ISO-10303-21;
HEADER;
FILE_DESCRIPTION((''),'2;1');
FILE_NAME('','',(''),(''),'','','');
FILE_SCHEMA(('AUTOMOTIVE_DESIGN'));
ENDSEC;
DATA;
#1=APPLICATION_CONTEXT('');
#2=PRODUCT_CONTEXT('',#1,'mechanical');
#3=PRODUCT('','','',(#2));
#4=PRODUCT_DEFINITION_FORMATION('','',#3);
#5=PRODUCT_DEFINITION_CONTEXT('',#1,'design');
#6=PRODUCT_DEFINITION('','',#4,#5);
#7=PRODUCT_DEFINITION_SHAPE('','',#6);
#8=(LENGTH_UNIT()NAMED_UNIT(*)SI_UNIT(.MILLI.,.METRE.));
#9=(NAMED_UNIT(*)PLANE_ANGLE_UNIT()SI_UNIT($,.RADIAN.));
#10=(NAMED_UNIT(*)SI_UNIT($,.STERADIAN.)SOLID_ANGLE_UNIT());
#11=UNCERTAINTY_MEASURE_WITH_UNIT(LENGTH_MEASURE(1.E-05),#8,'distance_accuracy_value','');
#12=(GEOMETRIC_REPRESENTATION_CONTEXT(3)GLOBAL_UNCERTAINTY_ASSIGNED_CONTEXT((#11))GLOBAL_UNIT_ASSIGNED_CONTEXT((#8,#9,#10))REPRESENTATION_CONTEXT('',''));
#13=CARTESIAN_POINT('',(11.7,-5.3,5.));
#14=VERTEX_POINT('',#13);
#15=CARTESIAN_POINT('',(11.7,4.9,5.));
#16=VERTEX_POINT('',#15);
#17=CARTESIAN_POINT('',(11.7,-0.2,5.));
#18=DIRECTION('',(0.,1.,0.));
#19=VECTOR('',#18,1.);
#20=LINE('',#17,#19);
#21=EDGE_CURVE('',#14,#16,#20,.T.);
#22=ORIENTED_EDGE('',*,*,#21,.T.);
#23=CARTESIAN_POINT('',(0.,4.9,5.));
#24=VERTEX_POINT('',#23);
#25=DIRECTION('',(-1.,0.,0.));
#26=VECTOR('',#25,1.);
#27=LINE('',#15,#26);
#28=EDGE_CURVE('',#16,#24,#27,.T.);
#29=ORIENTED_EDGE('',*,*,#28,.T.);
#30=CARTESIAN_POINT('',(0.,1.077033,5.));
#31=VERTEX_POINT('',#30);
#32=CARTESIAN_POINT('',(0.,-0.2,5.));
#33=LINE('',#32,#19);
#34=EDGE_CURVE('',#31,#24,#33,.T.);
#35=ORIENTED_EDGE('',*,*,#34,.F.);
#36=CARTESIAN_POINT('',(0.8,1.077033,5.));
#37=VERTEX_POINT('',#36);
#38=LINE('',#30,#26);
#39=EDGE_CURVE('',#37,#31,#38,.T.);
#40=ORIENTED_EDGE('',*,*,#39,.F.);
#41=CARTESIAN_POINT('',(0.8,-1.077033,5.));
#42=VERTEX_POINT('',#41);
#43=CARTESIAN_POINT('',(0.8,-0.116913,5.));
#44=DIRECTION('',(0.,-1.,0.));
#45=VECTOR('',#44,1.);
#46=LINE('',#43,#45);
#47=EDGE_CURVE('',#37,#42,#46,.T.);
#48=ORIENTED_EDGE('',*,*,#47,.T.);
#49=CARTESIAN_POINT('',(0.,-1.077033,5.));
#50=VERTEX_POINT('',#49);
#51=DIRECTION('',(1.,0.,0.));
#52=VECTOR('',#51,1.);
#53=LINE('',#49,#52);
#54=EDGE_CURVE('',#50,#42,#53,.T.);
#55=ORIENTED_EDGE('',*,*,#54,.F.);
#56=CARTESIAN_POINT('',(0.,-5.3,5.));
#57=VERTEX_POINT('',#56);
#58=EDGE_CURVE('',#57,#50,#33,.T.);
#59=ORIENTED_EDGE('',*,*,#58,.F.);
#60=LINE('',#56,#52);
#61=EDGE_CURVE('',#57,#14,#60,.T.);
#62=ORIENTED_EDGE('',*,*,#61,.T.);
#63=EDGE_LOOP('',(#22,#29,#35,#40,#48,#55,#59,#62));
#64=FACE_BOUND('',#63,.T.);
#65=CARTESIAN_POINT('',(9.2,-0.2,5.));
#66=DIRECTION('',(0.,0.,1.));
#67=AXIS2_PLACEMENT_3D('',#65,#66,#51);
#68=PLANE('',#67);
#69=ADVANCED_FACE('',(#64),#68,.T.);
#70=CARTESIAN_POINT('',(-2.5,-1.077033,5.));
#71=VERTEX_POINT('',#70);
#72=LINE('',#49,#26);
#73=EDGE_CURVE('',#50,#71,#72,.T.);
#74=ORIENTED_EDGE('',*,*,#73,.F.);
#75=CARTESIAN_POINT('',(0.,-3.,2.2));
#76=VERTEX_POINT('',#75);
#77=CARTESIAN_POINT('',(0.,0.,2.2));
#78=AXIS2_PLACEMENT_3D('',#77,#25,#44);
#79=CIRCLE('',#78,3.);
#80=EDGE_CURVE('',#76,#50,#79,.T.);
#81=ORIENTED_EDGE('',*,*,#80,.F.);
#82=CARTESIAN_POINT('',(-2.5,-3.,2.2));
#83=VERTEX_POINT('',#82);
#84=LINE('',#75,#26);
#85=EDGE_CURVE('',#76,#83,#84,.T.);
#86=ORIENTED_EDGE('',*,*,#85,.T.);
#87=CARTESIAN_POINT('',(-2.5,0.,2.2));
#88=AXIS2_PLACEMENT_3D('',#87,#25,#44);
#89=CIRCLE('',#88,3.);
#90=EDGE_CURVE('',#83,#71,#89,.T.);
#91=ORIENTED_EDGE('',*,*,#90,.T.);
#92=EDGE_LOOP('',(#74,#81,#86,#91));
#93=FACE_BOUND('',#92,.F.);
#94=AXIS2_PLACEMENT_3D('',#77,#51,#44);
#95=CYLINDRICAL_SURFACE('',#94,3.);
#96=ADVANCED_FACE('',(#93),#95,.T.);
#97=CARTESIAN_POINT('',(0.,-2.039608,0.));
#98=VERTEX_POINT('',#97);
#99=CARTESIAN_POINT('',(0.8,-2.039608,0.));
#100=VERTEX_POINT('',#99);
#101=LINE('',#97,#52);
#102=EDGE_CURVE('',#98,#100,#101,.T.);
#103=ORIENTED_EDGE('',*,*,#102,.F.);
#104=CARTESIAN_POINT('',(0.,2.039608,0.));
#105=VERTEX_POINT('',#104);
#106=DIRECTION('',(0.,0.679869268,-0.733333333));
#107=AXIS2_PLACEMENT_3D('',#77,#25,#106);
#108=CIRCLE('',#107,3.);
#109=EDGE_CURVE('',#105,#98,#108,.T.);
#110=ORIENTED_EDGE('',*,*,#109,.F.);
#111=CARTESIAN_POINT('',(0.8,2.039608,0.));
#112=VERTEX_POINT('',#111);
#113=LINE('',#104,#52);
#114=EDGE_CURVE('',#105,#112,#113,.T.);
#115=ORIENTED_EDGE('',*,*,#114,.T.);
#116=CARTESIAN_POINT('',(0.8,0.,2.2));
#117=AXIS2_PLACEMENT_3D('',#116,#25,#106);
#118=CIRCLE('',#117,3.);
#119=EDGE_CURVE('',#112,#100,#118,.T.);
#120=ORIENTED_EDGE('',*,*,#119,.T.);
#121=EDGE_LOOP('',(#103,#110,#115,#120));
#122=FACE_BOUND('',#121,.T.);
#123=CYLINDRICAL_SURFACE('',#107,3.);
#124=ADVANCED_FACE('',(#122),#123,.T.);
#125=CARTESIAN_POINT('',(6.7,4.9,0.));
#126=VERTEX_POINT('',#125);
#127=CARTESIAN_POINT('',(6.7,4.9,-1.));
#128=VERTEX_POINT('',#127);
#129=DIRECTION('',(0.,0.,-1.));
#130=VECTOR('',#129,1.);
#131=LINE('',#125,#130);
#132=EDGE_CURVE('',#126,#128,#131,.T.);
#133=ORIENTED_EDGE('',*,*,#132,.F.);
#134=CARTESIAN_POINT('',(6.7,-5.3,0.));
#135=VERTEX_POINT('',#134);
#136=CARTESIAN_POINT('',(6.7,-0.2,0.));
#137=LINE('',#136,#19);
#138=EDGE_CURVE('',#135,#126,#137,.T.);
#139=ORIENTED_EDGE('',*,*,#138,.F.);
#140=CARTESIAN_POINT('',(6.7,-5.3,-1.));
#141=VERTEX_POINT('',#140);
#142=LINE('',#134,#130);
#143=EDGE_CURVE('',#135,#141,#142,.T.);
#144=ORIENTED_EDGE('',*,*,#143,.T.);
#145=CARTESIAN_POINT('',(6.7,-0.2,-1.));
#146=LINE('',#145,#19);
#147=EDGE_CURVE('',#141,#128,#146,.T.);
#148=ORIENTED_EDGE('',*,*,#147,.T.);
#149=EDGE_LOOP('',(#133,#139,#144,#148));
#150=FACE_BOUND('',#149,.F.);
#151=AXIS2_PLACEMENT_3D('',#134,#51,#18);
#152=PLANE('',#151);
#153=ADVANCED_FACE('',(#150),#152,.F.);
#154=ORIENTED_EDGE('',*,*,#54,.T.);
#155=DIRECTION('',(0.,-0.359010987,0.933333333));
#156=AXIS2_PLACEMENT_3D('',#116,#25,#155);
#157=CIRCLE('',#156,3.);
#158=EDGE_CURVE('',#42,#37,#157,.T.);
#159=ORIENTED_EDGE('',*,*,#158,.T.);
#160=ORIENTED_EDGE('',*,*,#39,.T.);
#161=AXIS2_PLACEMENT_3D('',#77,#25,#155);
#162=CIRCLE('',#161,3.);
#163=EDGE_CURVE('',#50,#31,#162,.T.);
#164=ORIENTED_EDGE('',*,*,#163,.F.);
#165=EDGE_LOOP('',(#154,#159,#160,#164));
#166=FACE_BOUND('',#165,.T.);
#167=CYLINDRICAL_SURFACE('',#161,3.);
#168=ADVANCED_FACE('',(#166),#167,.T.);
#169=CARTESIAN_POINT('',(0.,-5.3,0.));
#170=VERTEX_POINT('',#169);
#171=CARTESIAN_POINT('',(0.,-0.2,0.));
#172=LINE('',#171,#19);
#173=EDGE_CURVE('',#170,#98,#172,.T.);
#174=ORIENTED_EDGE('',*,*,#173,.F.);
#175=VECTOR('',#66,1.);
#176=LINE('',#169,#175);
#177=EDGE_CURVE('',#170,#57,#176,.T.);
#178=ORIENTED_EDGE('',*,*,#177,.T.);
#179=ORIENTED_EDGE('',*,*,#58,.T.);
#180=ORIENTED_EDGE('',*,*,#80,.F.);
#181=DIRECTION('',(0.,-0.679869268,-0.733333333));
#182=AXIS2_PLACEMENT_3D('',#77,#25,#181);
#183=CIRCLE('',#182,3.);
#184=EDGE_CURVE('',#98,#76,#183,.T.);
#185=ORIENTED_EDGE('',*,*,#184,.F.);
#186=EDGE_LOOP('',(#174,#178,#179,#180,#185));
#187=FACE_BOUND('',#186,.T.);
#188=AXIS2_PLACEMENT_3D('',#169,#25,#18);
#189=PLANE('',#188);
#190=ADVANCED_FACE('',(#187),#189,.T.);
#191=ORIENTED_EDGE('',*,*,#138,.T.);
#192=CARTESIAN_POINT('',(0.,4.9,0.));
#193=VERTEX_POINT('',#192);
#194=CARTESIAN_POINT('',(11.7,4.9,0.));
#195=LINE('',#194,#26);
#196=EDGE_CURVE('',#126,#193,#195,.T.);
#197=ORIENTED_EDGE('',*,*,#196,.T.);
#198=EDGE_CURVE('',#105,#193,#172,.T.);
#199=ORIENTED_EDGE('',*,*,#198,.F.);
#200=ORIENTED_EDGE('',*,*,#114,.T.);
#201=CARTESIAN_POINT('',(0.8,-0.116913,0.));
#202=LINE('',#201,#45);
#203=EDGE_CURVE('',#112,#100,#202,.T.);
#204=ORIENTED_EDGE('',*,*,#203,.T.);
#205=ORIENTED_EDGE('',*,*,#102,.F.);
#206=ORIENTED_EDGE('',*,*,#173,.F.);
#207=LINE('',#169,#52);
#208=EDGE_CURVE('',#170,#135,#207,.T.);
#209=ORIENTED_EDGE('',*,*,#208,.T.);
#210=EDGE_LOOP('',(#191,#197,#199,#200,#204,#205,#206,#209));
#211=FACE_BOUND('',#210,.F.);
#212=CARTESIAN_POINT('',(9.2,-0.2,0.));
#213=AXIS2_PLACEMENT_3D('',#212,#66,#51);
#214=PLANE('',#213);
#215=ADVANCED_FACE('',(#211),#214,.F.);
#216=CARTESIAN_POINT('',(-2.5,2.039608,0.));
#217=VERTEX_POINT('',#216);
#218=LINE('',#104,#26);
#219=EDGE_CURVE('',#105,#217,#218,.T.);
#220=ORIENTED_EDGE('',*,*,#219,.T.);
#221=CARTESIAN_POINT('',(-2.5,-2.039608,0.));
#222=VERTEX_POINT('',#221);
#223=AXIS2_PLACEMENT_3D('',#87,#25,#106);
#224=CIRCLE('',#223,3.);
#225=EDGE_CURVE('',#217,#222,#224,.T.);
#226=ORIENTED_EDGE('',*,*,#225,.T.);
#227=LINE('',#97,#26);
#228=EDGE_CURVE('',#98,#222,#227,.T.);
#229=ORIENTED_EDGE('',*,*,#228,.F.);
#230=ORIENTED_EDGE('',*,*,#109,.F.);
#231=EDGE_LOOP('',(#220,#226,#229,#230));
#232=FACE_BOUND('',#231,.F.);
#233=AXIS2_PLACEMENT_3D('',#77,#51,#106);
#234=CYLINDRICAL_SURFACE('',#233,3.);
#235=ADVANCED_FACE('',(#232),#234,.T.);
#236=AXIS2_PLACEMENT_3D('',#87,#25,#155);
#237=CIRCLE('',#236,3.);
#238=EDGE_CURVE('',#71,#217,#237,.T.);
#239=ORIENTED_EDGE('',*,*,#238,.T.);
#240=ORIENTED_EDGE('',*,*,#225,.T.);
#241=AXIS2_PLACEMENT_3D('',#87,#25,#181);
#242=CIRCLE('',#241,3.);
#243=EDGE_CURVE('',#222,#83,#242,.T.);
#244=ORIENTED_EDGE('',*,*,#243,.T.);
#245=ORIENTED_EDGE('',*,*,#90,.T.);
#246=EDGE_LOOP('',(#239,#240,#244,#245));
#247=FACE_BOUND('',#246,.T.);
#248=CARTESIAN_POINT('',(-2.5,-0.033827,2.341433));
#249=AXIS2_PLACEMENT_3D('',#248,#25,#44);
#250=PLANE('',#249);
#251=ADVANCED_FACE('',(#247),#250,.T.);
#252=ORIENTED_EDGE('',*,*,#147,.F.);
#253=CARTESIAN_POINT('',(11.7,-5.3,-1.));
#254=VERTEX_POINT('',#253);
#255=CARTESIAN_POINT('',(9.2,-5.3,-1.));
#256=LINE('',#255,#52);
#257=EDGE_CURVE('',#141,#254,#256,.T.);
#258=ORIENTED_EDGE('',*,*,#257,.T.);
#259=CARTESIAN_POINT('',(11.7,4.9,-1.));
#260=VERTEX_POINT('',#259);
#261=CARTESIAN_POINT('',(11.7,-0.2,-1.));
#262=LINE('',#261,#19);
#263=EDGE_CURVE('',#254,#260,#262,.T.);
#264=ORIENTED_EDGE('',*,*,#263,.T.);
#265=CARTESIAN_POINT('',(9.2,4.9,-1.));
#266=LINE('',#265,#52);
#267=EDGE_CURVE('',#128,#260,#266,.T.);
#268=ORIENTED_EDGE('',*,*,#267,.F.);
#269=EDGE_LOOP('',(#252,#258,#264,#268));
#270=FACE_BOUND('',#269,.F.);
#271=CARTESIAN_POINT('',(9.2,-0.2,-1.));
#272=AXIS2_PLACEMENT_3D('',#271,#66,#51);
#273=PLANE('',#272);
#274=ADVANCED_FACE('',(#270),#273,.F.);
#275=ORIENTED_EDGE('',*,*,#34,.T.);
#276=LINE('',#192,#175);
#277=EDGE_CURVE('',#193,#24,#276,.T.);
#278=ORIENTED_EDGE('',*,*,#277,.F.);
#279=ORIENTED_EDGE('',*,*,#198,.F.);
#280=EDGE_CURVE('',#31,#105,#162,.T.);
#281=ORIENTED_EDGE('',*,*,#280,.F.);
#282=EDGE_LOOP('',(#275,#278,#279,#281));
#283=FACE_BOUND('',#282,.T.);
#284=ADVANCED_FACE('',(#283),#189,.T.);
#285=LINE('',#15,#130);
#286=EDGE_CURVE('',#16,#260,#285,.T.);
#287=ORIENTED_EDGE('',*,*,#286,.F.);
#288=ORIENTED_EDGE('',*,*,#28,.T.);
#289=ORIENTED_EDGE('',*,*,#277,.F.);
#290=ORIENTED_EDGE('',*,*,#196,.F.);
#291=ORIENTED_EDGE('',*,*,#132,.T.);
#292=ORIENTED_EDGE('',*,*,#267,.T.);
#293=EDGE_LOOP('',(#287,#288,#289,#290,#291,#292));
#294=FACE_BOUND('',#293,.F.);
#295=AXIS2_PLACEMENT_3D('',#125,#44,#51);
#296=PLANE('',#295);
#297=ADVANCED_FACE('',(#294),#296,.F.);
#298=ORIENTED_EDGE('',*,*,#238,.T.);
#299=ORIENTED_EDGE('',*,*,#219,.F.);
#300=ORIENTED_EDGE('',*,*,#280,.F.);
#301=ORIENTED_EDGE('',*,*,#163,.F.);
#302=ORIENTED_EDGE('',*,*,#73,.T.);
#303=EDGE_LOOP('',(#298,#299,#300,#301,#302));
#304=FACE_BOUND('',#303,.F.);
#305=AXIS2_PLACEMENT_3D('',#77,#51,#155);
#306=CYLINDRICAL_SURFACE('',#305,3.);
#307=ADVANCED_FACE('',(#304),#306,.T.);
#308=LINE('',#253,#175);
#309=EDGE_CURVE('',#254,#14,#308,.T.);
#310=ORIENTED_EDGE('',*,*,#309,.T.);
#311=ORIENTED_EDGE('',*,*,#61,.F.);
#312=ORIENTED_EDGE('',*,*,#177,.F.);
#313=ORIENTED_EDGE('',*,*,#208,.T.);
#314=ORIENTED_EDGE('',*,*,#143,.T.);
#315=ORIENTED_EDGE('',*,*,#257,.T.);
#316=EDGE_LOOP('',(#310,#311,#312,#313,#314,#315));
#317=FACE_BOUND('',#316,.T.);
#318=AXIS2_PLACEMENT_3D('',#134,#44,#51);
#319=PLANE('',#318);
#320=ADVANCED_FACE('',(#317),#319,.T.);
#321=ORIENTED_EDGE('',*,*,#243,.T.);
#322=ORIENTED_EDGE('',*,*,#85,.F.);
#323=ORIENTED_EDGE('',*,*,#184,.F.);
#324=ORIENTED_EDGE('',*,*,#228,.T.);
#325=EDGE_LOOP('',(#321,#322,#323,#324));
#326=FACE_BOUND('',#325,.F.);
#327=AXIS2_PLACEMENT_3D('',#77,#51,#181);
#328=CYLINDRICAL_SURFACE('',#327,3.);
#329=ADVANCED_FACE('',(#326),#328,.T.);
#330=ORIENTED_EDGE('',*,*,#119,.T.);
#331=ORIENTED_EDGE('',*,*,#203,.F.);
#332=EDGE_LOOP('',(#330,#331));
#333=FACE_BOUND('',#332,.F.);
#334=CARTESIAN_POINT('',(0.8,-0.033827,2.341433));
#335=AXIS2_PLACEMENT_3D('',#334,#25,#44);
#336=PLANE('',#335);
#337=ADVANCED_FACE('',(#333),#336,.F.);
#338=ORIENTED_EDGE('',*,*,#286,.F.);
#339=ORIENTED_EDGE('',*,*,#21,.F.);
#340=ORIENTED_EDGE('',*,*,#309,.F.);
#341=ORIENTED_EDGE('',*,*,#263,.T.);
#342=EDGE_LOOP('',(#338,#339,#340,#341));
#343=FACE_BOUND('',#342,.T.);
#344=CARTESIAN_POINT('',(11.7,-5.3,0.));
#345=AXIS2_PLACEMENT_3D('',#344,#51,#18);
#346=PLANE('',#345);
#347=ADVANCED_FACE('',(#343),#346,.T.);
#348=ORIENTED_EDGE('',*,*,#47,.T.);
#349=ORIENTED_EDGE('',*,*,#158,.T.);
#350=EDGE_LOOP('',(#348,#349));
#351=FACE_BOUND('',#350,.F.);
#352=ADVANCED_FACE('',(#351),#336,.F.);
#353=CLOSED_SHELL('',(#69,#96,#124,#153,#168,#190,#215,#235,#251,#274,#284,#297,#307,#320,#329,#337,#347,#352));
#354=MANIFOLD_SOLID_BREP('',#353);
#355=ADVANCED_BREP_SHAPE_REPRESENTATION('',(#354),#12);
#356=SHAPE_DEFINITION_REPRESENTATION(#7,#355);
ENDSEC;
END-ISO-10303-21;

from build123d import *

# Parameters (mm, degrees)
F0_W          = 5
F0_H          = 10.2
F0_W_2        = 6.7
F1_DEPTH      = 5
F2_DEPTH      = 1
F4_DEPTH      = 2.5
F4_DEPTH_BACK = 0.8


with BuildPart() as f1:
    # F0 (on Top) → F1 (new body)
    with BuildSketch(Plane.XY):
        with Locations((9.2, -0.2)):
            Rectangle(F0_W, F0_H)
        with Locations((3.35, -0.2)):
            Rectangle(F0_W_2, F0_H)
    extrude(amount=F1_DEPTH)

    # F0 (on Top) → F2 (join)
    with BuildSketch(Plane.XY):
        with Locations((9.2, -0.2)):
            Rectangle(F0_W, F0_H)
    extrude(amount=-F2_DEPTH)

    # F3 (on face) → F4 (join, two sides)
    with BuildSketch(Plane(origin=(0, 0, 0), x_dir=(0, -1, 0), z_dir=(-1, 0, 0))) as f4_sk:
        with BuildLine():
            ThreePointArc((2.0396078054, 0), (2.7494384351, 0.9997549034), (3, 2.2))
            ThreePointArc((3, 2.2), (2.4729636961, 3.8983670268), (1.0770329614, 5))
            Line((1.0770329614, 5), (-1.0770329614, 5))
            ThreePointArc((-1.0770329614, 5), (-2.9459060435, 2.7671310101), (-2.0396078054, 0))
            Line((-2.0396078054, 0), (2.0396078054, 0))
        make_face()
        with BuildLine():
            Line((-1.0770329614, 5), (1.0770329614, 5))
            ThreePointArc((1.0770329614, 5), (0, 5.2), (-1.0770329614, 5))
        make_face()
        with BuildLine():
            ThreePointArc((-2.0396078054, 0), (0, -0.8), (2.0396078054, 0))
            Line((2.0396078054, 0), (-2.0396078054, 0))
        make_face()
    extrude(amount=F4_DEPTH)
    extrude(f4_sk.sketch, amount=-F4_DEPTH_BACK)


solid = f1.part
